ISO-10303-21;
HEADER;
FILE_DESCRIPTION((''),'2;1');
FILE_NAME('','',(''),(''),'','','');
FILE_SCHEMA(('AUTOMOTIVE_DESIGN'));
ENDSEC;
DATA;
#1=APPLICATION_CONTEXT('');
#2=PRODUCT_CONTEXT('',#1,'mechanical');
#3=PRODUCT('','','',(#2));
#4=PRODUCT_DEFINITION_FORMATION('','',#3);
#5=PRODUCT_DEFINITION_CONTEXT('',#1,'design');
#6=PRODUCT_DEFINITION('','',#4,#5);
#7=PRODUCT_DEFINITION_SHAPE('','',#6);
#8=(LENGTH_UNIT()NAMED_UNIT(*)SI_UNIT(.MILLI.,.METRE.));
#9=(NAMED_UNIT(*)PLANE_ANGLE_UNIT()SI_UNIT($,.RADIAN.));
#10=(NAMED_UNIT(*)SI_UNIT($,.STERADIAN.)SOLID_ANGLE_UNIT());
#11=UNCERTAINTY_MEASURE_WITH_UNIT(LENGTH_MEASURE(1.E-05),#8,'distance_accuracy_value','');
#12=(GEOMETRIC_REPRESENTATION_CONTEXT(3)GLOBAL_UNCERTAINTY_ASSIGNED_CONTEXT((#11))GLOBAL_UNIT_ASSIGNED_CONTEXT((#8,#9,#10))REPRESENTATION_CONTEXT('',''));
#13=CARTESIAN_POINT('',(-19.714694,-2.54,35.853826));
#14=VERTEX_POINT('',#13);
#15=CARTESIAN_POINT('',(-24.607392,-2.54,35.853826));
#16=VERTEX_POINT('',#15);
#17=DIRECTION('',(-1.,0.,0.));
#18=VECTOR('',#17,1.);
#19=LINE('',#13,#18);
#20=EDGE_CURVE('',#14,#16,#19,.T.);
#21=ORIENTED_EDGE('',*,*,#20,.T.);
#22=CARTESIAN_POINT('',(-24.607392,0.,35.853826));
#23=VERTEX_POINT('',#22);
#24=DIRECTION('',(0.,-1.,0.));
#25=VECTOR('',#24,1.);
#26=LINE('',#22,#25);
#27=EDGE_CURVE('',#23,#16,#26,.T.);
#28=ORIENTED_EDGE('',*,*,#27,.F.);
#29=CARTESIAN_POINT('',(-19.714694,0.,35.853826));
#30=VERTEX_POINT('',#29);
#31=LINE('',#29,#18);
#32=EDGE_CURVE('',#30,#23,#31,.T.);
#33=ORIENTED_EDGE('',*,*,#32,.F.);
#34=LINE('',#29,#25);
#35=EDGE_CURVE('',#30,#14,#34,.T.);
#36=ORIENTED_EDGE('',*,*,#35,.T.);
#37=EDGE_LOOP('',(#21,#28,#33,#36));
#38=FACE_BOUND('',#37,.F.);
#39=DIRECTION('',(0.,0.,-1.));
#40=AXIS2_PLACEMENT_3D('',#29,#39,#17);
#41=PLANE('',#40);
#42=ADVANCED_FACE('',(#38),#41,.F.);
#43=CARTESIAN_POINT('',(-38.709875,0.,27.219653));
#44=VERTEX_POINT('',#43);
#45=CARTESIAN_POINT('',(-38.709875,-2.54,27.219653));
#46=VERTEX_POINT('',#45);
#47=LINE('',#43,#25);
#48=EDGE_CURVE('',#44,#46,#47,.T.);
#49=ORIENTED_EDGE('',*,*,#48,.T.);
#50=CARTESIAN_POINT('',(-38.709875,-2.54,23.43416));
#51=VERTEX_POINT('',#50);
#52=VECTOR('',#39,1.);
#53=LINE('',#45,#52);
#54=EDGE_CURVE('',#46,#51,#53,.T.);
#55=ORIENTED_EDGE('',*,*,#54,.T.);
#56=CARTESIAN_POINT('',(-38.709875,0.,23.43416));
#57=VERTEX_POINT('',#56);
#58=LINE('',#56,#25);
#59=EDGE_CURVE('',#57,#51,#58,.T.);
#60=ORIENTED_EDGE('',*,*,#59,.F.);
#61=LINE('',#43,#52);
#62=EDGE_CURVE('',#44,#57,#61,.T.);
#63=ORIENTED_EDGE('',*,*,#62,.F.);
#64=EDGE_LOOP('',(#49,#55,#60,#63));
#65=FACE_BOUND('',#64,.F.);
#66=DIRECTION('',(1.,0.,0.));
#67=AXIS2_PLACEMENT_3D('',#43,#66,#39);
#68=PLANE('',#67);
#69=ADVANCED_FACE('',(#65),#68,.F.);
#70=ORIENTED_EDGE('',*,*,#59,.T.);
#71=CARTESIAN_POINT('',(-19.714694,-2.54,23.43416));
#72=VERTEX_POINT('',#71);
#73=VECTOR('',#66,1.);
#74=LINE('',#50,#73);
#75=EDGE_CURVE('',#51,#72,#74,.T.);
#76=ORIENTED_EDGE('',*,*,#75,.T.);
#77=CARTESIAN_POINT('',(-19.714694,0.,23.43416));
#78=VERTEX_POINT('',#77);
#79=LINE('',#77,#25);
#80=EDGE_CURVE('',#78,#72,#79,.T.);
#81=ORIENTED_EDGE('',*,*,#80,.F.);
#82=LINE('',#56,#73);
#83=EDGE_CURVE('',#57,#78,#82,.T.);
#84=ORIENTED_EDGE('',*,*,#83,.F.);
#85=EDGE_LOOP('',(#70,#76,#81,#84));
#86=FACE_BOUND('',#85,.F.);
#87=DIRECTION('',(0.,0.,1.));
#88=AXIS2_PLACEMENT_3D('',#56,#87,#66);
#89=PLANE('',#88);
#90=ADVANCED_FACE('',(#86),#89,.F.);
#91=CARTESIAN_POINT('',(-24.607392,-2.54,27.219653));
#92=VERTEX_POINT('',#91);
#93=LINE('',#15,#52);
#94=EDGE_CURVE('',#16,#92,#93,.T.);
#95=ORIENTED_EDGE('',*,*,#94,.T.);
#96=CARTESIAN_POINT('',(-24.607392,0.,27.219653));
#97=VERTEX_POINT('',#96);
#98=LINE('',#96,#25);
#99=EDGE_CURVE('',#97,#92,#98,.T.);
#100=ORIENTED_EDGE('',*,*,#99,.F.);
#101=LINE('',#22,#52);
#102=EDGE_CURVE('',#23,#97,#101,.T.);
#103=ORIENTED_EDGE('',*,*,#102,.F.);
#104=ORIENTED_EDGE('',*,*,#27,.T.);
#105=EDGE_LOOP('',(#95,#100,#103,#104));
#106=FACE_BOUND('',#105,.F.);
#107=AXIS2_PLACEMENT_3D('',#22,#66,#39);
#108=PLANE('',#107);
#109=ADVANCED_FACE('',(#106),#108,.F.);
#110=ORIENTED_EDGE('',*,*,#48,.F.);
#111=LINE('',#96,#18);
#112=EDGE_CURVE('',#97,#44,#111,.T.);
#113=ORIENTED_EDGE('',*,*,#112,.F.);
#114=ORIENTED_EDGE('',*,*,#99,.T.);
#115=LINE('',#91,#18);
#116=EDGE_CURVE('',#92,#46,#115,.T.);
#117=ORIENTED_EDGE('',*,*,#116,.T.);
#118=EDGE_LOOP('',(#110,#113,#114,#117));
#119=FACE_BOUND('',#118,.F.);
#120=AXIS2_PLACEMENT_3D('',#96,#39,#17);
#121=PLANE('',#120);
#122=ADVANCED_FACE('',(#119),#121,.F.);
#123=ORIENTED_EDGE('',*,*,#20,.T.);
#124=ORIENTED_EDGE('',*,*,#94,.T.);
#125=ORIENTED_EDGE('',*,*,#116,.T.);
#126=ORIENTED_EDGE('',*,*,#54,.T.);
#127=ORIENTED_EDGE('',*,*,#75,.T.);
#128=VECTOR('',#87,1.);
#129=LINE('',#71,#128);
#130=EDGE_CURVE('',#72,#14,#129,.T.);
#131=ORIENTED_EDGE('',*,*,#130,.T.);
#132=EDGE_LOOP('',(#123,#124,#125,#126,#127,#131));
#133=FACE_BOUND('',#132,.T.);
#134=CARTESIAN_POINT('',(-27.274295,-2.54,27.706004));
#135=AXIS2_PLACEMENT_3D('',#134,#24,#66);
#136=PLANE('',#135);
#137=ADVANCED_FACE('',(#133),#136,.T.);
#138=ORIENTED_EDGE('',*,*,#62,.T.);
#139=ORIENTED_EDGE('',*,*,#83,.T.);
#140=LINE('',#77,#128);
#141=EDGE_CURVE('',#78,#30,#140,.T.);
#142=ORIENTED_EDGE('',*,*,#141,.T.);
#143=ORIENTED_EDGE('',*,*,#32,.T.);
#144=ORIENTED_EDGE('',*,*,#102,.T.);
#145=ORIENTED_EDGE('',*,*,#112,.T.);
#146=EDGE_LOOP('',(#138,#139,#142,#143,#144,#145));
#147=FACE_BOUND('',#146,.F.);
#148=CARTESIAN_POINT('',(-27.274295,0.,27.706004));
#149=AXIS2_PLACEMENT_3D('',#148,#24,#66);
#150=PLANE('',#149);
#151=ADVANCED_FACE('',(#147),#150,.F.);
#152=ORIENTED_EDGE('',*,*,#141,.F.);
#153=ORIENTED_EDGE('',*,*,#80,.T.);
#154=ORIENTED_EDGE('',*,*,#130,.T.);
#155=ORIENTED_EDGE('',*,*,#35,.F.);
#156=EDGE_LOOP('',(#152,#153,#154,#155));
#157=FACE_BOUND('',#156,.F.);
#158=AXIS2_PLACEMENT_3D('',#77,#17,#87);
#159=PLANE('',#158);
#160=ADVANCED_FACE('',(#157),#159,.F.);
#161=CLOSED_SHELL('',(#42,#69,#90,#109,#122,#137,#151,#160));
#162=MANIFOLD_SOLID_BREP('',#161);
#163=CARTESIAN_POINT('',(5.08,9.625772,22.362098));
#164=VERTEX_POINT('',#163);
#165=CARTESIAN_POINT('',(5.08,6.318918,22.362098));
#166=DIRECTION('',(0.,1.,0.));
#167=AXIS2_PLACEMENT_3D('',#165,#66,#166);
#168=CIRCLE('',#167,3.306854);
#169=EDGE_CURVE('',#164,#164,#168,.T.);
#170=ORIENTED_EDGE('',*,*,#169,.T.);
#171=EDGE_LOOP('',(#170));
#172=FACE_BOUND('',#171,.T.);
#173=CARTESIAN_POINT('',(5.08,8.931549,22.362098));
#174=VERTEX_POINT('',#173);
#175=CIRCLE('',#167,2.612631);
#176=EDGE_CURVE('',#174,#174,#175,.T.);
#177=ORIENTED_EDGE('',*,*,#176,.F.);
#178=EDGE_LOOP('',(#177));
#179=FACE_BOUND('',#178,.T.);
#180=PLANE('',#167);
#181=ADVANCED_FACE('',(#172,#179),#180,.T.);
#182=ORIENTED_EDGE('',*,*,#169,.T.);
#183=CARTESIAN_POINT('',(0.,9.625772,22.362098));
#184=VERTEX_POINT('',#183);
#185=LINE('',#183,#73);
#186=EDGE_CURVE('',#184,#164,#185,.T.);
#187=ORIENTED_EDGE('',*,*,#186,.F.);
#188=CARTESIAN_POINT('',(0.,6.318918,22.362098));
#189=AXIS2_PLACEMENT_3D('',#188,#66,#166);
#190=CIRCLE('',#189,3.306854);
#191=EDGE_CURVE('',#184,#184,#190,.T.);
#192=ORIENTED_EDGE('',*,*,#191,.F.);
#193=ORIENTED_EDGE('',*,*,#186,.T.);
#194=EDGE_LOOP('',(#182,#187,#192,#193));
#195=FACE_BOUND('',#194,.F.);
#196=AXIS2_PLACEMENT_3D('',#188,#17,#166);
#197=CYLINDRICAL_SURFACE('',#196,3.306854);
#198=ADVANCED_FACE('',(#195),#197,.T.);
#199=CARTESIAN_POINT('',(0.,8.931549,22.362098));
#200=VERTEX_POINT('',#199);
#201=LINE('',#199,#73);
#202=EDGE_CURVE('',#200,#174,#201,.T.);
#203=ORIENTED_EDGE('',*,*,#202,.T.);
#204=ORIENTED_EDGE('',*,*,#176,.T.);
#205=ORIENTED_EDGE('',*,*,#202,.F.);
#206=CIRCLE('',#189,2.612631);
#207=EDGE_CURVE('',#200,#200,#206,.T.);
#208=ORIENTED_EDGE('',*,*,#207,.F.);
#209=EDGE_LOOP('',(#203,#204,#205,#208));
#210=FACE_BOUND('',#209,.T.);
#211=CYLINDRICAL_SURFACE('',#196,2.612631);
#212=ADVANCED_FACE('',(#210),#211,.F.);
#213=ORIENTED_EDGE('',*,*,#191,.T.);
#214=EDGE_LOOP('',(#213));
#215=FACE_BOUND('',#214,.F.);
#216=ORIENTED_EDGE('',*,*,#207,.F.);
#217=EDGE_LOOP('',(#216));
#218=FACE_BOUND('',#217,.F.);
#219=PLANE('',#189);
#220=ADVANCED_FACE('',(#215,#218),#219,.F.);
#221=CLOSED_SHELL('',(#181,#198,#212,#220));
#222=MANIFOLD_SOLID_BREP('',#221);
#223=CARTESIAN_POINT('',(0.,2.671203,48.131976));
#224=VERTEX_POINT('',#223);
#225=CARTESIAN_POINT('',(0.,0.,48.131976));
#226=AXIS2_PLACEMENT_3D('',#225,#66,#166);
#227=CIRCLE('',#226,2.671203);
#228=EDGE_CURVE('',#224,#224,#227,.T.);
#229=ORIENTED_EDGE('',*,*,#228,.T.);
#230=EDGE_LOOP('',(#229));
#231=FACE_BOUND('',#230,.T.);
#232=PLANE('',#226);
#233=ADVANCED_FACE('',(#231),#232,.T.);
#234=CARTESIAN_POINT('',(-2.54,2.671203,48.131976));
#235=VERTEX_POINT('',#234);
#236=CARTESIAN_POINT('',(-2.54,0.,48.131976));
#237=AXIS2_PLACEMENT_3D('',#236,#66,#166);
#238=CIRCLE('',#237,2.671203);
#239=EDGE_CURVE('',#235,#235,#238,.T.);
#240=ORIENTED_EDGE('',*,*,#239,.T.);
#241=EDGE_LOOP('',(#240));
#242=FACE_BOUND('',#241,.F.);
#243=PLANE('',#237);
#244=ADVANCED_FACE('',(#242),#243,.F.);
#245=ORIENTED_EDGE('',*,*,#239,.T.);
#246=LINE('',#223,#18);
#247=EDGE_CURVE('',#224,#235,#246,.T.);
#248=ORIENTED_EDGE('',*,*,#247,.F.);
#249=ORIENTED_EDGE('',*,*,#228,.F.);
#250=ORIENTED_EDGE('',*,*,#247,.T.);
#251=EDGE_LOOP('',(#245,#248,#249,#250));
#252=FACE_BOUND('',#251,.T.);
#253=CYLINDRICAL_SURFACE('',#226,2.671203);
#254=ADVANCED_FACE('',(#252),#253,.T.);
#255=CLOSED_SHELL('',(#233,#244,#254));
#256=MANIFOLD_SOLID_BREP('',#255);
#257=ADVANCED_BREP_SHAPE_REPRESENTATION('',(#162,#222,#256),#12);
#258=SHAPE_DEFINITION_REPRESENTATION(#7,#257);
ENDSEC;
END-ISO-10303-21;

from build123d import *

# Parameters (mm, degrees)
F1_DEPTH = 2.54
F2_R     = 2.671203
F3_DEPTH = 2.54
F4_R     = 3.306854
F4_R_2   = 2.612631
F5_DEPTH = 5.08


with BuildPart() as f1:
    # F0 (on Front) → F1 (new body)
    with BuildSketch(Plane.XZ):
        Polygon((-38.709875, 27.219653), (-38.709875, 23.43416), (-19.714694, 23.43416), (-19.714694, 35.853826), (-24.607392, 35.853826), (-24.607392, 31.248933), (-24.607392, 27.219653), align=None)
    extrude(amount=F1_DEPTH)


with BuildPart() as f3:
    # F2 (on Right) → F3 (new body)
    with BuildSketch(Plane.YZ):
        with Locations((0, 48.131976)):
            Circle(F2_R)
    extrude(amount=-F3_DEPTH)


with BuildPart() as f5:
    # F4 (on Right) → F5 (new body)
    with BuildSketch(Plane.YZ):
        with Locations((6.318918, 22.362098)):
            Circle(F4_R)
        with Locations((6.318918, 22.362098)):
            Circle(F4_R_2, mode=Mode.SUBTRACT)
    extrude(amount=F5_DEPTH)


solid = Compound([f1.part, f3.part, f5.part])
